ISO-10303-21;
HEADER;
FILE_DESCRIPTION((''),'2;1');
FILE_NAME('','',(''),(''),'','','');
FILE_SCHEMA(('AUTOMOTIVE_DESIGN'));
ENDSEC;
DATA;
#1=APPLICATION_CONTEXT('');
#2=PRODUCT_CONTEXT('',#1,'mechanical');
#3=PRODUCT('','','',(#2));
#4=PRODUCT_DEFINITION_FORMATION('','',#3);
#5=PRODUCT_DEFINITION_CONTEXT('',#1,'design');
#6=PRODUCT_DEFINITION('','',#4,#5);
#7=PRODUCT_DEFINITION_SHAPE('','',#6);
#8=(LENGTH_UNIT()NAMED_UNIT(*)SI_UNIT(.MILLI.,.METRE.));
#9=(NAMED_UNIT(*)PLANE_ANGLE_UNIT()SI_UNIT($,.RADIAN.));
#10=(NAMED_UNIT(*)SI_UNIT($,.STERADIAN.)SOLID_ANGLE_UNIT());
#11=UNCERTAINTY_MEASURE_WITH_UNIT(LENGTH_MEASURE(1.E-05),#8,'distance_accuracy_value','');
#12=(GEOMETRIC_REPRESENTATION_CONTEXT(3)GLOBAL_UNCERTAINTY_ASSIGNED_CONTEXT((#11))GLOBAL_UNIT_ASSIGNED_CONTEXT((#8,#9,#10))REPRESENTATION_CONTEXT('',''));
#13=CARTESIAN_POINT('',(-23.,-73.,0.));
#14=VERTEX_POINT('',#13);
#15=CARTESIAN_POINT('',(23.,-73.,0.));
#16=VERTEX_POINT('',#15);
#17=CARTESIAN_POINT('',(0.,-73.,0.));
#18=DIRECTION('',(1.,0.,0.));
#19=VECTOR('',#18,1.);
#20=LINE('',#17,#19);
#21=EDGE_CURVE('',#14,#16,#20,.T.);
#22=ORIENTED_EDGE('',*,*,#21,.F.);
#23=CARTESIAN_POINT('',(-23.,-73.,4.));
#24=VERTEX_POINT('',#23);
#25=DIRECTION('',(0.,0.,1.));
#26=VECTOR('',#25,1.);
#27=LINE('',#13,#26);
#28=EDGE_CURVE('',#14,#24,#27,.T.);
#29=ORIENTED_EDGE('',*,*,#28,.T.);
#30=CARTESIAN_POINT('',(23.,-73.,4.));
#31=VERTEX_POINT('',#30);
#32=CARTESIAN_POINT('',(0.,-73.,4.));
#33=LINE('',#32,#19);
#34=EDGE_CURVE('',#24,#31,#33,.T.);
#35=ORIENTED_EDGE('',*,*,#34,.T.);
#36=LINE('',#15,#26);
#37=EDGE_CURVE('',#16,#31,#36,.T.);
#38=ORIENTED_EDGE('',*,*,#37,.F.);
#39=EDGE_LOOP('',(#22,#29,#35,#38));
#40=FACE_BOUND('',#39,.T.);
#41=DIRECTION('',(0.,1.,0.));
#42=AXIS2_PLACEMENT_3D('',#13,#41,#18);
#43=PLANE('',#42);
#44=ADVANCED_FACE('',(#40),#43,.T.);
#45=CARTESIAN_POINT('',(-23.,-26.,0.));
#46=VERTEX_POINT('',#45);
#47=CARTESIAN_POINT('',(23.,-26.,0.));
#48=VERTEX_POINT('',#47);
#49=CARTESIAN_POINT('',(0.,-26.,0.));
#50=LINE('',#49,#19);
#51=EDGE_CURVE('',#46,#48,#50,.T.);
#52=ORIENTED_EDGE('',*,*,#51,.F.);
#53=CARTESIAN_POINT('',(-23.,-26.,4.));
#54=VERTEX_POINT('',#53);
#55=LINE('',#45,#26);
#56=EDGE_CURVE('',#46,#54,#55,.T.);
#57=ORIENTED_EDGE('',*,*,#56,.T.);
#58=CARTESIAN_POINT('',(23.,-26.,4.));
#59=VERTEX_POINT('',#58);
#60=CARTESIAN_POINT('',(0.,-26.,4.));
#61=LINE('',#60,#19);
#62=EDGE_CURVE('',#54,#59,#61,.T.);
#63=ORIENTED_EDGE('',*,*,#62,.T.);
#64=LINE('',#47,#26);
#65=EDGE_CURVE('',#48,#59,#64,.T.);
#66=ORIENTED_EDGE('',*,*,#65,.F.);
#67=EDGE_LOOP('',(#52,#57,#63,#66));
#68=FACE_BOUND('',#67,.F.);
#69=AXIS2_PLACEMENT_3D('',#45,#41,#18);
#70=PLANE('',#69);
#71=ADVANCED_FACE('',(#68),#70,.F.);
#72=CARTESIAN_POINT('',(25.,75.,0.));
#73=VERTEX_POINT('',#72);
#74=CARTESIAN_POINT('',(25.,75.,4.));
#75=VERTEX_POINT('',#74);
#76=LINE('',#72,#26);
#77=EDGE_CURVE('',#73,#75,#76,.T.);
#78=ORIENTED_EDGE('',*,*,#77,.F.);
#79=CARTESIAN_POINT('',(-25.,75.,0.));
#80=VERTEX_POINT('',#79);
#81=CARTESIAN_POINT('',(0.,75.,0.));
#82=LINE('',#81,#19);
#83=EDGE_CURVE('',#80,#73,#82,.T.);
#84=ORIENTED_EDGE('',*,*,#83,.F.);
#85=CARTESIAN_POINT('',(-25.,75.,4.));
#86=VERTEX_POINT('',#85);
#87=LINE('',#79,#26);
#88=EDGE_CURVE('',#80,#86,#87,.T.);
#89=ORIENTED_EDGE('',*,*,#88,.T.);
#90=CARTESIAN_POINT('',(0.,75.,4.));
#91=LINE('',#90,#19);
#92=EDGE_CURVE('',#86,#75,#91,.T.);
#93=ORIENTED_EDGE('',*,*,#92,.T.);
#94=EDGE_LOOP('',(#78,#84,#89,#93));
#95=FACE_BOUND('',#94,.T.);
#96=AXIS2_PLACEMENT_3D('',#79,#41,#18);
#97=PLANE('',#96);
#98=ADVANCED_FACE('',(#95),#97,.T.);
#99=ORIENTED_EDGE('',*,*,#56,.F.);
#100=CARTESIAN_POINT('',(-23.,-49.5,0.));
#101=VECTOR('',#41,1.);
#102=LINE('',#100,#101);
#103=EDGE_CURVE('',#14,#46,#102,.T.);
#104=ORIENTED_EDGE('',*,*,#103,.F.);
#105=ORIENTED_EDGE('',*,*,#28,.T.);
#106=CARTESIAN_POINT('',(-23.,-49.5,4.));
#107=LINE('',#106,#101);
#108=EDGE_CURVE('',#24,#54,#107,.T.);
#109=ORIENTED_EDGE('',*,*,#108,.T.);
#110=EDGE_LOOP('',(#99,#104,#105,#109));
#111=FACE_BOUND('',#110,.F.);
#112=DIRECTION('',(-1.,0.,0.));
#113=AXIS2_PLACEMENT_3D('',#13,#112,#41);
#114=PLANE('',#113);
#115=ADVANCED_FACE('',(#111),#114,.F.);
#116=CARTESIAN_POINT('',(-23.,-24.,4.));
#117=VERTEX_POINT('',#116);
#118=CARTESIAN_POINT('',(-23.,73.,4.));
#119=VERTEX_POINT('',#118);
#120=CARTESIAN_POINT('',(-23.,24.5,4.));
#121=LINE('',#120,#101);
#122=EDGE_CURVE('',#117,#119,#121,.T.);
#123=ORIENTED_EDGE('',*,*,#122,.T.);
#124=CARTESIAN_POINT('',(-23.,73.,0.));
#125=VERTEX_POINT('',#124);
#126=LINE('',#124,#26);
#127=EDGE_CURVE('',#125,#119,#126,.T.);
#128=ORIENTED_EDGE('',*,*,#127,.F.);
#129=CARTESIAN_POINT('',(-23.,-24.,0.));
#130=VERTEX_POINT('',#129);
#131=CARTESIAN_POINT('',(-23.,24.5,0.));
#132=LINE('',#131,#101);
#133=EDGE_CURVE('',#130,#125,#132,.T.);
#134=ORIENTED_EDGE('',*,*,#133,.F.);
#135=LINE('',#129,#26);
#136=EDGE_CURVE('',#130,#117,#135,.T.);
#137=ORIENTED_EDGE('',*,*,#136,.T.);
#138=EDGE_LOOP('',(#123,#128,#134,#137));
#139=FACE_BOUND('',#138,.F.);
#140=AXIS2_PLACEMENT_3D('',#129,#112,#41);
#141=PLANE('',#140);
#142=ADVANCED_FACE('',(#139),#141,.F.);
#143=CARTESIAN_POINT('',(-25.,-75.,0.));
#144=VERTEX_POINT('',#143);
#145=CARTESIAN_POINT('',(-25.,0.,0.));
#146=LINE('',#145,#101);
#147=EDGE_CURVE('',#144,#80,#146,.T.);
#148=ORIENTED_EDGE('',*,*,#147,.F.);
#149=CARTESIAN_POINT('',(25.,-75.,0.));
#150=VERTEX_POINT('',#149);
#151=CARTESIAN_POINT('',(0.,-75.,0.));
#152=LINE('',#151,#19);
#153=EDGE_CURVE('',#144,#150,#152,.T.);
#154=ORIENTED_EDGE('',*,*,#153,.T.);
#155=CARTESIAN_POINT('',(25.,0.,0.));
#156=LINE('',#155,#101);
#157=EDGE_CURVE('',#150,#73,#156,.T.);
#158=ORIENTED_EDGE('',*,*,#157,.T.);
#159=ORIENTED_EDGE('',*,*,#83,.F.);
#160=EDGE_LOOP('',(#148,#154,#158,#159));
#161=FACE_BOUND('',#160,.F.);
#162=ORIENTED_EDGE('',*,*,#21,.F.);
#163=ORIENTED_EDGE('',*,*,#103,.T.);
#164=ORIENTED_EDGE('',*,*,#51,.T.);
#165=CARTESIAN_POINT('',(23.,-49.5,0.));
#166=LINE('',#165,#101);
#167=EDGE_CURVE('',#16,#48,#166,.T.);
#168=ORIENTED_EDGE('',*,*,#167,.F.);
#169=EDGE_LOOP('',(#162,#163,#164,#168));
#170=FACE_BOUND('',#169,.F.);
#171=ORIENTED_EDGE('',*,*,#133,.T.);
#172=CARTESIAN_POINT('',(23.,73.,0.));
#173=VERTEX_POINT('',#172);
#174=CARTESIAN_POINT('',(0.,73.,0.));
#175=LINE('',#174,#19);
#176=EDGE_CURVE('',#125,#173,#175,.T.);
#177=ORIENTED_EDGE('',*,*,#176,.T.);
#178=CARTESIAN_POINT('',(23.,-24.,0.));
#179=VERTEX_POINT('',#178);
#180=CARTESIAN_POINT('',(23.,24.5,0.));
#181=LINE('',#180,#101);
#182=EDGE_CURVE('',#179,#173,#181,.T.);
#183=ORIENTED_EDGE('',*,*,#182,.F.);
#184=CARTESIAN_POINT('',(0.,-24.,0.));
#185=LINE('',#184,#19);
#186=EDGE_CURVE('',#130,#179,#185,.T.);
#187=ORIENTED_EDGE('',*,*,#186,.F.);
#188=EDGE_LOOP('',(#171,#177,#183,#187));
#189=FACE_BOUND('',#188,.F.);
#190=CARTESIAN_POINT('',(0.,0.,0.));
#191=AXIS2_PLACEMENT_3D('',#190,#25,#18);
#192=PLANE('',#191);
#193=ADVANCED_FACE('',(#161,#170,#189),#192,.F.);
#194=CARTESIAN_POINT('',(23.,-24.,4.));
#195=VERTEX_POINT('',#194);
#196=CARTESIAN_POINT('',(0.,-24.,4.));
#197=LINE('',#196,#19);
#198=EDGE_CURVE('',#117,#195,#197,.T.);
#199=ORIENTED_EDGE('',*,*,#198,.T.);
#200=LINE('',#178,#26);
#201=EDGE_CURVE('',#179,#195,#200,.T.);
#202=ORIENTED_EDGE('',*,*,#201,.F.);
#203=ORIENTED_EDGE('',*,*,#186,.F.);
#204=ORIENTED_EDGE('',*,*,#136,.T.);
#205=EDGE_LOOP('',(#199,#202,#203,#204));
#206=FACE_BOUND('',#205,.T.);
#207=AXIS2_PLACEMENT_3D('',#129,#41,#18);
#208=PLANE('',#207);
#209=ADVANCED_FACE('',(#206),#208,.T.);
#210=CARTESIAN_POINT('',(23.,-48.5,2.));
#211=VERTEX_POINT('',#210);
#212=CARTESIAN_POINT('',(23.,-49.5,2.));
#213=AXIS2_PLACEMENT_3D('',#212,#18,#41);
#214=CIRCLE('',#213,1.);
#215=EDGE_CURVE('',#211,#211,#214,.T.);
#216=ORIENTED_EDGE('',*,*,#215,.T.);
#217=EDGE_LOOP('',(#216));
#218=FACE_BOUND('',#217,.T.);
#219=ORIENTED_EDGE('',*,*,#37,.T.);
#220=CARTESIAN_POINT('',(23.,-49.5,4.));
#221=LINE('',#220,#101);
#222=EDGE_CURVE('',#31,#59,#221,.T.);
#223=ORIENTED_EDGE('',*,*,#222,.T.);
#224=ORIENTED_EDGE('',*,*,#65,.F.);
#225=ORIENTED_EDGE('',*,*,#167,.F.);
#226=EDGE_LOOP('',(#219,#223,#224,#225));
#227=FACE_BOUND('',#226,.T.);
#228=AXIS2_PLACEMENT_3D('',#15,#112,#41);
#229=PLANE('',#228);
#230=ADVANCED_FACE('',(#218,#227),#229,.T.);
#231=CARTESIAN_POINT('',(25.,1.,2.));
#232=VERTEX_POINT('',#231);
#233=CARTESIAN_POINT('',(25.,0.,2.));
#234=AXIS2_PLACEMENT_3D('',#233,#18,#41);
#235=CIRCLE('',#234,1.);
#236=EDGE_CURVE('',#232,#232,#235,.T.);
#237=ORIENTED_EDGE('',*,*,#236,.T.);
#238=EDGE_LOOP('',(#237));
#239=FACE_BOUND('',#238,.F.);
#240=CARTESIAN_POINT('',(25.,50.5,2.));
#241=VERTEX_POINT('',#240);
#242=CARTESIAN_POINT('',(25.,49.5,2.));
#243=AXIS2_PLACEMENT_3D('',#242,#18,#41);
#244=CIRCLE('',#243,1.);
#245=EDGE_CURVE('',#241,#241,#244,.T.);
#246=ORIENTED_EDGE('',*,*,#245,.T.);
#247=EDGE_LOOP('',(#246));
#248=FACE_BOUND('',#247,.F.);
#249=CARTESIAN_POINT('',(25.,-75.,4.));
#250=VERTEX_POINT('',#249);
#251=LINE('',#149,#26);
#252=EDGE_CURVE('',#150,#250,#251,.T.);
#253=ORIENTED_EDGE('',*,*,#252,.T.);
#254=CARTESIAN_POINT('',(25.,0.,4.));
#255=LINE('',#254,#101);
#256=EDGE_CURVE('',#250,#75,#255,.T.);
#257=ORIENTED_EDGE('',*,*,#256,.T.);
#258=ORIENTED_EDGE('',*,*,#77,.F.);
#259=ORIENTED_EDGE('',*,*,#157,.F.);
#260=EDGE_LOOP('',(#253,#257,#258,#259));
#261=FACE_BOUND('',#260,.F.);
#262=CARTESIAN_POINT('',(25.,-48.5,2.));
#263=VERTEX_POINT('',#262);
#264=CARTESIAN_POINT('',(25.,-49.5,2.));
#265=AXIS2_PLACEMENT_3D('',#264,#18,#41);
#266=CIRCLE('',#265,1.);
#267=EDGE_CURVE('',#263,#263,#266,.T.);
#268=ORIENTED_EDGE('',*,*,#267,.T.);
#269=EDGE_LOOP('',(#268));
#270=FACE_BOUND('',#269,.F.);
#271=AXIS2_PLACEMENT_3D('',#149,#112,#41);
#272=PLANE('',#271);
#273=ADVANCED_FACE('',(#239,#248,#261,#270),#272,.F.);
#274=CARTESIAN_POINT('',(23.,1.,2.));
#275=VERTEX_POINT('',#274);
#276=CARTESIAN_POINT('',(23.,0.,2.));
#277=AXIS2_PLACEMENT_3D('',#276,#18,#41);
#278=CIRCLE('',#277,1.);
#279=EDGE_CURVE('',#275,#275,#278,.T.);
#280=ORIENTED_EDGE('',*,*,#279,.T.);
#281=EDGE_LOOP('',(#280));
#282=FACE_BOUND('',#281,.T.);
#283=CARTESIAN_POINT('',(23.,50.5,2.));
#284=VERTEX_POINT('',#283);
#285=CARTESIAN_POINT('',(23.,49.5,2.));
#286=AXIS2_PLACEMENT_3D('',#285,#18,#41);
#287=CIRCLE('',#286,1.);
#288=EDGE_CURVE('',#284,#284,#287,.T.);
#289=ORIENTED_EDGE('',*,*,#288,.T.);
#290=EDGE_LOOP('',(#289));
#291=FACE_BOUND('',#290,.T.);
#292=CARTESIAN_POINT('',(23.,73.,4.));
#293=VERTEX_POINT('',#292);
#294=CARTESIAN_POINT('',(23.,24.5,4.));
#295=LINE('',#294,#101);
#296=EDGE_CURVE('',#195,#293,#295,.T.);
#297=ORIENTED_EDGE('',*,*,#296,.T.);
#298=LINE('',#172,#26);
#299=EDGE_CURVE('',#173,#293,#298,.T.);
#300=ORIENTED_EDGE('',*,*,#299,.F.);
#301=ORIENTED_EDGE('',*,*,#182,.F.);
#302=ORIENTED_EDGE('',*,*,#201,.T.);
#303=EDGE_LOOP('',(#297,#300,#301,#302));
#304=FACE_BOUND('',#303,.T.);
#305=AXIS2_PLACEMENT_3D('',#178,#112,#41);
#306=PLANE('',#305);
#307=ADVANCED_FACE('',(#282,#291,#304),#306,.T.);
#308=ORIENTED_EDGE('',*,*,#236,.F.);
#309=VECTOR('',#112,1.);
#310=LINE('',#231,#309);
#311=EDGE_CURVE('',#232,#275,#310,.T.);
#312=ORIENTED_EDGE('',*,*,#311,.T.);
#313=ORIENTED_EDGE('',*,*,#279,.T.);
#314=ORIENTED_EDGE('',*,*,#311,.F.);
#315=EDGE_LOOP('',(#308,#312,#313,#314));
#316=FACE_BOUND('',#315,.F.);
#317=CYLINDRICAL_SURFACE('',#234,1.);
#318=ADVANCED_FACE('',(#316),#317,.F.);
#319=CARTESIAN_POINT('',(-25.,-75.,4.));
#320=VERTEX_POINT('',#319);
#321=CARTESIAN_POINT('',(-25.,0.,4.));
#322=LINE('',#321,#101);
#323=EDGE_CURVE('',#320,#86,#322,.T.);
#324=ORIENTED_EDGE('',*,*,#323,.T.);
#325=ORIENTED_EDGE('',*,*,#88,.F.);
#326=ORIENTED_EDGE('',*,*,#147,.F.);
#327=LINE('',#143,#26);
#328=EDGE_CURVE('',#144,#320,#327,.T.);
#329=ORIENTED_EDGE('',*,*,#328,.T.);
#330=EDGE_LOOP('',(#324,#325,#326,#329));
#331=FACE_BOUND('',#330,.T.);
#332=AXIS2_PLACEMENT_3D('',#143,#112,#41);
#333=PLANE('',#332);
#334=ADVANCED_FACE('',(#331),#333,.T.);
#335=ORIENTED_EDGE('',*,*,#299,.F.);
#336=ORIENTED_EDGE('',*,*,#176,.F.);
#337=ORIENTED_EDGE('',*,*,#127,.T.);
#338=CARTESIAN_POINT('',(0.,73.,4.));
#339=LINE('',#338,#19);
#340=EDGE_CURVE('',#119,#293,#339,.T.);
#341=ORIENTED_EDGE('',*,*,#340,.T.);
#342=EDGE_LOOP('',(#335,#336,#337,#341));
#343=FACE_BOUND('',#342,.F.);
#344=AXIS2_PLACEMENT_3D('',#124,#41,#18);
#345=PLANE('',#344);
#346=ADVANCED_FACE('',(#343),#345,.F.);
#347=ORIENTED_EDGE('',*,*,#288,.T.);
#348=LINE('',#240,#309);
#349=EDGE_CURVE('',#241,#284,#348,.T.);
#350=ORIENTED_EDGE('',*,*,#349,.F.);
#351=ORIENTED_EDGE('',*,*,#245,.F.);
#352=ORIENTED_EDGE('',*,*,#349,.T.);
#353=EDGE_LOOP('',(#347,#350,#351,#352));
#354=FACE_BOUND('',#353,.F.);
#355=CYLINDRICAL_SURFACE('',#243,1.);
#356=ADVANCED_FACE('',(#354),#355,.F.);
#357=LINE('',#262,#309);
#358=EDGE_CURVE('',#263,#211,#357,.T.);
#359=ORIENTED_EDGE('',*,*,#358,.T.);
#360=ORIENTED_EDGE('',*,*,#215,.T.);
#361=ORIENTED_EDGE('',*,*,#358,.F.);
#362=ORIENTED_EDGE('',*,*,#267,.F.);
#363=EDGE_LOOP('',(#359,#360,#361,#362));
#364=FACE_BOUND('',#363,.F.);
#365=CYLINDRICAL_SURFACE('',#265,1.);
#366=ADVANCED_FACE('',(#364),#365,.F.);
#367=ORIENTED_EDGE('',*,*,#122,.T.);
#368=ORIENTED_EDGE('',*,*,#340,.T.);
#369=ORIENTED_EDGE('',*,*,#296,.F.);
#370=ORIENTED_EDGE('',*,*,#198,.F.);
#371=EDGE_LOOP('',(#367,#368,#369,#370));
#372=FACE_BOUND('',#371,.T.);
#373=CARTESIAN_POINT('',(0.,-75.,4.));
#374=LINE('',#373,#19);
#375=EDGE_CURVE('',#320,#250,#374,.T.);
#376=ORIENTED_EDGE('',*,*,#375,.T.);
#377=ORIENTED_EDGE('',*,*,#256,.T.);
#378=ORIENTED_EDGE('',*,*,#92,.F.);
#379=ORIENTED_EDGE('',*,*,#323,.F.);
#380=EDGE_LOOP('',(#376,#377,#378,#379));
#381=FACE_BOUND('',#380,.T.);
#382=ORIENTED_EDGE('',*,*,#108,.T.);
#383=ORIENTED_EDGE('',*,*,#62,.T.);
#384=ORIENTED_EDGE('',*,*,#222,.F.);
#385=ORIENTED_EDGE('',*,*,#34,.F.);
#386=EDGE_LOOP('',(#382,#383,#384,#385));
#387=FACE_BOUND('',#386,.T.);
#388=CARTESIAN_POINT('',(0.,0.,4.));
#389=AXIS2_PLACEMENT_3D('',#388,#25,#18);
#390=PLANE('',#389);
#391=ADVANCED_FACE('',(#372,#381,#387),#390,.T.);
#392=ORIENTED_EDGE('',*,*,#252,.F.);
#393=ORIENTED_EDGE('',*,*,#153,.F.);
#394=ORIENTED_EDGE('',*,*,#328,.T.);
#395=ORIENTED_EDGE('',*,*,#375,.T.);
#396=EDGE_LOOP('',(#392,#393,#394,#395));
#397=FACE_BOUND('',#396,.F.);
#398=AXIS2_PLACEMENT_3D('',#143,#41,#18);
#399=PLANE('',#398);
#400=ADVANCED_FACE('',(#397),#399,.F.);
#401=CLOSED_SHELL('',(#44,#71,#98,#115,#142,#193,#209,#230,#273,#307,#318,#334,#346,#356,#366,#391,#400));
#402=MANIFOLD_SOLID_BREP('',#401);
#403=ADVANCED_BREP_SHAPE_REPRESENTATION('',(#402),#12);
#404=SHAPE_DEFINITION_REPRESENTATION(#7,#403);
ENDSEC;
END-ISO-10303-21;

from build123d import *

# Parameters (mm, degrees)
F0_W     = 50
F0_H     = 150
F0_W_2   = 46
F0_H_2   = 47
F0_H_3   = 97
F1_DEPTH = 4
F2_R     = 1
F3_DEPTH = 25


with BuildPart() as f1:
    # F0 (on Top) → F1 (new body)
    with BuildSketch(Plane.XY):
        Rectangle(F0_W, F0_H)
        with Locations((0, -49.5)):
            Rectangle(F0_W_2, F0_H_2, mode=Mode.SUBTRACT)
        with Locations((0, 24.5)):
            Rectangle(F0_W_2, F0_H_3, mode=Mode.SUBTRACT)
    extrude(amount=F1_DEPTH)

    # F2 (on face) → F3 (cut)
    with BuildSketch(Plane.YZ.offset(25)):
        with Locations((-49.5, 2)):
            Circle(F2_R)
        with Locations((0, 2)):
            Circle(F2_R)
        with Locations((49.5, 2)):
            Circle(F2_R)
    extrude(amount=-F3_DEPTH, mode=Mode.SUBTRACT)


solid = f1.part
